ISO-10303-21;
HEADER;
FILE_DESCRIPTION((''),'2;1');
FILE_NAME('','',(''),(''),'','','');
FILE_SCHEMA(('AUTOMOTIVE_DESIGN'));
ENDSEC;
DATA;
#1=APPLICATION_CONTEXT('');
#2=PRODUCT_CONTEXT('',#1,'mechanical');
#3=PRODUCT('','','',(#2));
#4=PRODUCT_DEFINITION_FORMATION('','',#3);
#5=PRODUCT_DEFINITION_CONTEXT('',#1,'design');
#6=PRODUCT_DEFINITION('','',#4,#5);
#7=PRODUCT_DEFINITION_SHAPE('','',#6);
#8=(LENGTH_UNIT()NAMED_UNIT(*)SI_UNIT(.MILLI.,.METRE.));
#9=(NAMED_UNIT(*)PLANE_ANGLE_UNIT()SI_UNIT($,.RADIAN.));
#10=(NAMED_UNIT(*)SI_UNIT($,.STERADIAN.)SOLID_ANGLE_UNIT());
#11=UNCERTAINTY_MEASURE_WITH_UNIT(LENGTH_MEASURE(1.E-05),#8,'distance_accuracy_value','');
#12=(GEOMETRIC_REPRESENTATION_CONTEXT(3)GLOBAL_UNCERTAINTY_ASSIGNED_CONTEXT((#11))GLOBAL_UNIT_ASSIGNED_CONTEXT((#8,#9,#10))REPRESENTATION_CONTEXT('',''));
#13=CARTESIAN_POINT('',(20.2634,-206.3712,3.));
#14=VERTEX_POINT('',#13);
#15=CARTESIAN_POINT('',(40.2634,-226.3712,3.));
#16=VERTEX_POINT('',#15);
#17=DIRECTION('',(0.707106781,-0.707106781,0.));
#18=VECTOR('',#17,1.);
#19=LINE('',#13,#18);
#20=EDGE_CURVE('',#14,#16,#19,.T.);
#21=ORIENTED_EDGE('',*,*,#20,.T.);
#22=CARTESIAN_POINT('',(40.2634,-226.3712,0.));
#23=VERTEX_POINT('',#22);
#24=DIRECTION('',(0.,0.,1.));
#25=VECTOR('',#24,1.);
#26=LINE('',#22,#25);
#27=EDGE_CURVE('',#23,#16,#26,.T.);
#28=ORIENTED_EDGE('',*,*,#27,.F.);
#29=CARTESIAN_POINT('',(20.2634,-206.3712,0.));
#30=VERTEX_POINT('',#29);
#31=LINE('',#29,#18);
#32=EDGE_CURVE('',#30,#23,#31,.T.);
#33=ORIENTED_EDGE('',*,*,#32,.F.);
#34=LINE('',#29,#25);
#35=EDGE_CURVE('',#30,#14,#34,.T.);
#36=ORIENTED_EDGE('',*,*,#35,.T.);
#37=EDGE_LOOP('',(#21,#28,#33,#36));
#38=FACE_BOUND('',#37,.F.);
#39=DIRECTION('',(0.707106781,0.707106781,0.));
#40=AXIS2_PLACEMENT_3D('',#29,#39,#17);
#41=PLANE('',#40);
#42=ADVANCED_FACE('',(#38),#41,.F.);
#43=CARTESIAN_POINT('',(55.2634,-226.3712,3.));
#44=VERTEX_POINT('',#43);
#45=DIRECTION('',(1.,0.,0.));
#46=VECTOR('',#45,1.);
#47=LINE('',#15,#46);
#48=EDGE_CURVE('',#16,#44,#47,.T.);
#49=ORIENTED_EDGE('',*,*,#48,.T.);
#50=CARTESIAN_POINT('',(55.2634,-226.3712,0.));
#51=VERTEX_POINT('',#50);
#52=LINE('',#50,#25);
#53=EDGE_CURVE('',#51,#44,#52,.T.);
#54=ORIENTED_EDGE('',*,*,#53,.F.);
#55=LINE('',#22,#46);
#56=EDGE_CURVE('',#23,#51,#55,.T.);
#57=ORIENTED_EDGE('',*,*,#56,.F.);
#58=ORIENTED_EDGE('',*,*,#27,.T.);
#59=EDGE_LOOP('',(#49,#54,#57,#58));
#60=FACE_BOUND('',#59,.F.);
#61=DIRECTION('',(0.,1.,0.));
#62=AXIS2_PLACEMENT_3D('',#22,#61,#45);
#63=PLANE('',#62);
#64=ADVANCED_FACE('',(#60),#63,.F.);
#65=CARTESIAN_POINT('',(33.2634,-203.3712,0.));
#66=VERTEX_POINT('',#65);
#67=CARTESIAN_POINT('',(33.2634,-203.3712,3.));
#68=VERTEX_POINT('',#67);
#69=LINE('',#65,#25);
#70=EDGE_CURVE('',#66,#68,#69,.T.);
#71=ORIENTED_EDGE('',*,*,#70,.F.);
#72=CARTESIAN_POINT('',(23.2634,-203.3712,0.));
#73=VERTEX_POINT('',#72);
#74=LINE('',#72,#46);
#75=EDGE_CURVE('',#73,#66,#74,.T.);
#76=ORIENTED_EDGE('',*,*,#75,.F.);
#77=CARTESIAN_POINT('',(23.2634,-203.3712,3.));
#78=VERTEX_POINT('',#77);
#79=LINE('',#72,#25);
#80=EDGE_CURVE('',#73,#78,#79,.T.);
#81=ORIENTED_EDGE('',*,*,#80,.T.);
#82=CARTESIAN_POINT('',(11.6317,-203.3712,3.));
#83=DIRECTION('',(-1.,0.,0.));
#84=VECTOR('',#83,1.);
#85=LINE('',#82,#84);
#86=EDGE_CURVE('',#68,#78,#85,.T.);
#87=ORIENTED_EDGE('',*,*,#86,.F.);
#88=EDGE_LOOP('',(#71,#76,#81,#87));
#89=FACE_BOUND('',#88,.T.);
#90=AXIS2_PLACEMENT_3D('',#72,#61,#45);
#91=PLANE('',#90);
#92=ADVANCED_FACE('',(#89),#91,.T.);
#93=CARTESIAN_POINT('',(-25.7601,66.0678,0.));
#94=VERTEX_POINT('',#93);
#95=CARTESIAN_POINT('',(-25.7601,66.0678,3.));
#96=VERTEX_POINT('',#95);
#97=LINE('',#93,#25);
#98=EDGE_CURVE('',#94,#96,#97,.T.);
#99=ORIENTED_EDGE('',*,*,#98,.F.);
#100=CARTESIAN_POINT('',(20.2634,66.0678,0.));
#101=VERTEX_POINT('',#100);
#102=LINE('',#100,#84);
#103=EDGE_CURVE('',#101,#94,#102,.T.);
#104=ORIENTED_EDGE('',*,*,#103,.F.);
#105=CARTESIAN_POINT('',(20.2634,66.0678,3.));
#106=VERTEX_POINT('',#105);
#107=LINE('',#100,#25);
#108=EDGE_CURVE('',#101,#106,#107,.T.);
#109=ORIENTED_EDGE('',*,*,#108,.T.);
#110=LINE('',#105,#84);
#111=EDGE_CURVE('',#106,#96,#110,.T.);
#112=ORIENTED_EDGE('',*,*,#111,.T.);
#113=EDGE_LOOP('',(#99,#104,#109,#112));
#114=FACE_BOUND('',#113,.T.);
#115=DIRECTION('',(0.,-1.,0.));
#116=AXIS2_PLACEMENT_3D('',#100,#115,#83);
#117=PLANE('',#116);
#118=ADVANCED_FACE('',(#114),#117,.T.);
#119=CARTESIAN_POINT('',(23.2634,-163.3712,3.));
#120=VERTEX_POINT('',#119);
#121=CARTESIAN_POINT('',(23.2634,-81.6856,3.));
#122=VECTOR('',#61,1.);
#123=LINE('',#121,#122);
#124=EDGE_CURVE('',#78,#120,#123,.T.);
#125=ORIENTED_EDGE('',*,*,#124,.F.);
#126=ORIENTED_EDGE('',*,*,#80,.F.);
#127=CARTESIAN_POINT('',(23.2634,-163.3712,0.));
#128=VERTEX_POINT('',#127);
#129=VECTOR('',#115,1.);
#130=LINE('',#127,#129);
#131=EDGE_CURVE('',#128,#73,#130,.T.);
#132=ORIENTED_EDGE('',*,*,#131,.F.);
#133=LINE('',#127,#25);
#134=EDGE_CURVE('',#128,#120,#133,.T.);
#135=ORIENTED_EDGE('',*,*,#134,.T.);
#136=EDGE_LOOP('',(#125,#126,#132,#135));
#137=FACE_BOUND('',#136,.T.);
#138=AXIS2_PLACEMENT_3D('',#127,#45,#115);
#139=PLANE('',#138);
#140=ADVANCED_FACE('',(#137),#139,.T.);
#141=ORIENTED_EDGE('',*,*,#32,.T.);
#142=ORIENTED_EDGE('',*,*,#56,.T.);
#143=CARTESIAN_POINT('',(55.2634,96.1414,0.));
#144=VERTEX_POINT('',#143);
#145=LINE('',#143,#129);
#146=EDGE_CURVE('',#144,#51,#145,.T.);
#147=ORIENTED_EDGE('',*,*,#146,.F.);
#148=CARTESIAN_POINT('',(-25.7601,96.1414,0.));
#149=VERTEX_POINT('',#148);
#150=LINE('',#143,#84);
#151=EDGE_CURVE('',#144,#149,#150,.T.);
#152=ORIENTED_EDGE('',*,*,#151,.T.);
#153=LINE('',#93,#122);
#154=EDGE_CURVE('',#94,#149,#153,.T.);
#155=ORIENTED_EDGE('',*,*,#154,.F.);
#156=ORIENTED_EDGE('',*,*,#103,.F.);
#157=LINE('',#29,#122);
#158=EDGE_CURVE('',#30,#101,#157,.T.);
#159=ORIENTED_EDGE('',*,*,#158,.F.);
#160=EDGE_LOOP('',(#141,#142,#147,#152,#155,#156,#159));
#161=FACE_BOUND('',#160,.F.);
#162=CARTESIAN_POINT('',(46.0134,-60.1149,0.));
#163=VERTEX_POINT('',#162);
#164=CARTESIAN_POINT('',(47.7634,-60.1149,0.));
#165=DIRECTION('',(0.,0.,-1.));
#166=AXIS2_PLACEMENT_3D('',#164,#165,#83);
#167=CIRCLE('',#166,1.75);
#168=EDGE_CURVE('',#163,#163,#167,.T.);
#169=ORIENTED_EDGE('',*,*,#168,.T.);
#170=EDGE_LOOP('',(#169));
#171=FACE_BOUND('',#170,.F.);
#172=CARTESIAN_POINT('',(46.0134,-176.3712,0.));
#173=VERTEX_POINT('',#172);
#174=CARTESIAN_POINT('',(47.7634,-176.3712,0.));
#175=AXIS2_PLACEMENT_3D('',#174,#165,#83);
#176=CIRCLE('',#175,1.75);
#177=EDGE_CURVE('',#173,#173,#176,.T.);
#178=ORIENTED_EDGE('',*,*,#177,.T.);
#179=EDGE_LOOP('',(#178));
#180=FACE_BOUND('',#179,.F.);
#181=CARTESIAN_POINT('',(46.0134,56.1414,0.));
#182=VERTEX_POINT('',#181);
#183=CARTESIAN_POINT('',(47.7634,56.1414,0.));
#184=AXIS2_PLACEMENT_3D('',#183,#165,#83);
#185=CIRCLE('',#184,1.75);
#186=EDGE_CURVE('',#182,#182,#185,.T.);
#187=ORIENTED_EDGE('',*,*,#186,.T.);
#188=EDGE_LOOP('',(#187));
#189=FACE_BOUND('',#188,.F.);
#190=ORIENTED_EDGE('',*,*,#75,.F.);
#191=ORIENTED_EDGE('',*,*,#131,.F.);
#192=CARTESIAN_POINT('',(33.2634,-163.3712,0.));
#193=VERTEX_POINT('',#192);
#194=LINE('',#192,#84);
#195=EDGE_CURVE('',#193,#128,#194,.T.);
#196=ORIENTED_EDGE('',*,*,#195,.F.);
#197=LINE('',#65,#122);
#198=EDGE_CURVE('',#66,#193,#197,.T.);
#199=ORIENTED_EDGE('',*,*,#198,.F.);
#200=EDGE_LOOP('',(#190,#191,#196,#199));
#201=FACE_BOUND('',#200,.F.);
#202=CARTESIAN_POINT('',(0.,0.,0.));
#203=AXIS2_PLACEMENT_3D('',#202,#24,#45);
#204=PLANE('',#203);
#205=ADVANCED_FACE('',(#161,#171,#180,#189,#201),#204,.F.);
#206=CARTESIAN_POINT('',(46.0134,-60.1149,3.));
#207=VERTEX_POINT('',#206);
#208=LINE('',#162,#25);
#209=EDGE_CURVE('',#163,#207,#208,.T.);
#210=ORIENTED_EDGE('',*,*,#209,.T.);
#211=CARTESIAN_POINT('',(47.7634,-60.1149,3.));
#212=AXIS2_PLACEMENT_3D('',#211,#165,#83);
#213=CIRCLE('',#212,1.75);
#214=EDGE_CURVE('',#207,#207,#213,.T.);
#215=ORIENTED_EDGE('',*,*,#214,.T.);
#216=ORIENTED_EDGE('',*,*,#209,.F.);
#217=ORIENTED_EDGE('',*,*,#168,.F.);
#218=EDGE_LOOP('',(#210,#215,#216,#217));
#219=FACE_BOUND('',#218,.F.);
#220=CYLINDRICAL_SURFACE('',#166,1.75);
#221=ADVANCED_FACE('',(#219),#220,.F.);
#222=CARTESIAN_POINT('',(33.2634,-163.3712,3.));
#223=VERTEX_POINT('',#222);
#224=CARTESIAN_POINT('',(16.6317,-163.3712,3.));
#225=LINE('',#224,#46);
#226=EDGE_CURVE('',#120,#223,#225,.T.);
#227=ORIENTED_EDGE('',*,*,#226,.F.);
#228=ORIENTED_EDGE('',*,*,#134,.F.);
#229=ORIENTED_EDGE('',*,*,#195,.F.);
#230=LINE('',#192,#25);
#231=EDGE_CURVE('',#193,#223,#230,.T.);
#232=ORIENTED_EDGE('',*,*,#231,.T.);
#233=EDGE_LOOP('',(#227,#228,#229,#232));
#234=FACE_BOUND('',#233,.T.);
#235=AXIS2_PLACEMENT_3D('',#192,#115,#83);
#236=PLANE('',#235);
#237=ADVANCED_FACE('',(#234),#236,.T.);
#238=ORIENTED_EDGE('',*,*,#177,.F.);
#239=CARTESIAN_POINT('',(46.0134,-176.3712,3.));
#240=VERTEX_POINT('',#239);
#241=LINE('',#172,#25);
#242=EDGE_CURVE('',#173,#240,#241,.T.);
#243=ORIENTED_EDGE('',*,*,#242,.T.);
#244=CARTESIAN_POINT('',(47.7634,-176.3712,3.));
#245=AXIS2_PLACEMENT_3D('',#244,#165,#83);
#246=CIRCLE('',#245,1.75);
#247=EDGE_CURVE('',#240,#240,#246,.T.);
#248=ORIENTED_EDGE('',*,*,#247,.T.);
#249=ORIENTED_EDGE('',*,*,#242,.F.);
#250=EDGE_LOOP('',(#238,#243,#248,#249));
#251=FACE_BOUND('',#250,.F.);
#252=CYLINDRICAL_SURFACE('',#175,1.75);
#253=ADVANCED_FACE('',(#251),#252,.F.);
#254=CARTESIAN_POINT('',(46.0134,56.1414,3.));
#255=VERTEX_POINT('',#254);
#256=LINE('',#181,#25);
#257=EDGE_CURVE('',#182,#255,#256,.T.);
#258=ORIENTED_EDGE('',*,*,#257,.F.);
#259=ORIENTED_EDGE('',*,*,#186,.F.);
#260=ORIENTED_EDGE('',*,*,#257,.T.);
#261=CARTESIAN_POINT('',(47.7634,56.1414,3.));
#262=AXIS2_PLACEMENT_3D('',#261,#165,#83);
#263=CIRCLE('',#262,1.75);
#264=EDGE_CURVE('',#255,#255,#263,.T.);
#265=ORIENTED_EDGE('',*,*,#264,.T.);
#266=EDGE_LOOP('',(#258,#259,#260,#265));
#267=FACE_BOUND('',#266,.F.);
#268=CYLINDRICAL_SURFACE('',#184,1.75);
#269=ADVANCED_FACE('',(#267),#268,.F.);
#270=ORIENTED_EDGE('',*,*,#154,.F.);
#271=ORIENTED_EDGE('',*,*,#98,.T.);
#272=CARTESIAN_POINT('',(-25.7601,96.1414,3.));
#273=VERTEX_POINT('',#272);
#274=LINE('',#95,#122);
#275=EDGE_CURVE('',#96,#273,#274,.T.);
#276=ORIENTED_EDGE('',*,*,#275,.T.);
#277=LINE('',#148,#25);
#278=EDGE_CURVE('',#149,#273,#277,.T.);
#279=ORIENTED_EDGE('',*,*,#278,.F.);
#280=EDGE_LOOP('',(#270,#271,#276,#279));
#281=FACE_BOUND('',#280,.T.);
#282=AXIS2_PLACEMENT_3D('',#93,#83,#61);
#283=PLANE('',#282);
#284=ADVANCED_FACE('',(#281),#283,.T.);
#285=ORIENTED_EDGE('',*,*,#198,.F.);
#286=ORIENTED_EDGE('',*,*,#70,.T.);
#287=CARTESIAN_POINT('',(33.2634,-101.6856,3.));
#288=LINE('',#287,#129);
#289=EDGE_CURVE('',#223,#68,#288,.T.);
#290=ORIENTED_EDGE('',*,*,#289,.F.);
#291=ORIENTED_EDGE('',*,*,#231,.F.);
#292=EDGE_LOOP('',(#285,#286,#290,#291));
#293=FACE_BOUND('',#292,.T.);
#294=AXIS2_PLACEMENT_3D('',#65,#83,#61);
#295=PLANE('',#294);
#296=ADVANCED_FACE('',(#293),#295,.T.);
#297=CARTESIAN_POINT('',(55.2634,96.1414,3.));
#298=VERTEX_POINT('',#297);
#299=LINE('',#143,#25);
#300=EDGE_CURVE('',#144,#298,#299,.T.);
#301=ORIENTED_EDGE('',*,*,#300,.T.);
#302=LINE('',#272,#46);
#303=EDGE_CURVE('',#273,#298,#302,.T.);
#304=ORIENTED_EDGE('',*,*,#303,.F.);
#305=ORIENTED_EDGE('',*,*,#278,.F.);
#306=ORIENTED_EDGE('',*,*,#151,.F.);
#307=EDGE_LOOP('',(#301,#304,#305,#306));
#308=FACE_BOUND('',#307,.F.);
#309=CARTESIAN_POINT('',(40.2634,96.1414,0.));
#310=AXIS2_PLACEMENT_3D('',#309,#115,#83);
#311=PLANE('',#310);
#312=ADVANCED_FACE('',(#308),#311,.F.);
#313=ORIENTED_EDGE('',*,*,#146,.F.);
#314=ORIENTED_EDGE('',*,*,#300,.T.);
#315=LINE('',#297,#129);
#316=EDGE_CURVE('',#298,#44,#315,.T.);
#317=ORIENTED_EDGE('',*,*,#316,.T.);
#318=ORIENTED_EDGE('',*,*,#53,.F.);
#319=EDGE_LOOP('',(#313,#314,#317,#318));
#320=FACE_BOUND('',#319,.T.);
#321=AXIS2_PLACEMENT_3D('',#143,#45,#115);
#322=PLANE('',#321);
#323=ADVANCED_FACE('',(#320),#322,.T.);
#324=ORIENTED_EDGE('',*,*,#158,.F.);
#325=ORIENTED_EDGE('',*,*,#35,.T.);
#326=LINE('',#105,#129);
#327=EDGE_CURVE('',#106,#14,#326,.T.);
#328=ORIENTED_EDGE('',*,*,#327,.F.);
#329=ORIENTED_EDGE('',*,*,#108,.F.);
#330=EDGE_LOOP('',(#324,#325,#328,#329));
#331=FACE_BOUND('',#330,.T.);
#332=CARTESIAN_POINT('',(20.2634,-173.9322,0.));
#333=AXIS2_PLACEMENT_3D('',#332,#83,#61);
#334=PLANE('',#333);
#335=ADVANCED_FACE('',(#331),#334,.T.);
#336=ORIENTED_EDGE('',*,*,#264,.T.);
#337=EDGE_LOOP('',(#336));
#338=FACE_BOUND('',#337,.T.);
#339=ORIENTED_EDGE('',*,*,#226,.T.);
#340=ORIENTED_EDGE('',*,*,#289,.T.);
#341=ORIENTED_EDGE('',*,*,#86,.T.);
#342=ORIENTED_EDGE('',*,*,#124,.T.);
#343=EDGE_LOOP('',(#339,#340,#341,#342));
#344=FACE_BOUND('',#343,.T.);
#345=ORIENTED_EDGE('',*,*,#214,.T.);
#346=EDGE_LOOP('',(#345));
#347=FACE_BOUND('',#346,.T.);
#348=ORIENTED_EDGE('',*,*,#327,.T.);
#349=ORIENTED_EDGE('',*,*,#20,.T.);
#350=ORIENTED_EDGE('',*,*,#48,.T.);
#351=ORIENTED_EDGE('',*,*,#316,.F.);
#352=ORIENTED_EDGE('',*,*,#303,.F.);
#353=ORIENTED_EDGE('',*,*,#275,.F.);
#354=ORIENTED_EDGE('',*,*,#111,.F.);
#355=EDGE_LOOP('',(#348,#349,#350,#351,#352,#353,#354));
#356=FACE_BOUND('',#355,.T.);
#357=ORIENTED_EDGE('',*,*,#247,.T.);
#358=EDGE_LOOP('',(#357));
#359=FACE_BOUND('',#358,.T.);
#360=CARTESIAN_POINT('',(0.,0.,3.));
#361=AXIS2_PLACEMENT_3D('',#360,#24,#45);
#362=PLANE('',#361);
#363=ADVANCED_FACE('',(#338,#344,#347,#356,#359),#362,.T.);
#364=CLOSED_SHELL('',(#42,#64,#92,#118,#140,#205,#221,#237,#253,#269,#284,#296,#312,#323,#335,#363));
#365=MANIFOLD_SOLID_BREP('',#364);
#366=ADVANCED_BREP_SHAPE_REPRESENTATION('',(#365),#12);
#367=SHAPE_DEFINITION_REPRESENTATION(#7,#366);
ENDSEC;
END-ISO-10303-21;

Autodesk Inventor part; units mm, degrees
ref_plane "YZ Plane" through (0, 0, 0) normal (1, 0, 0) x (0, 1, 0)
ref_plane "XZ Plane" through (0, 0, 0) normal (0, 1, 0) x (-1, 0, 0)
ref_plane "XY Plane" through (0, 0, 0) normal (0, 0, 1) x (1, 0, 0)
sketch "Sketch1" plane through (0, 0, 0) normal (0, 0, 1) x (1, 0, 0)
  line L0 (-209.6812, -263.8586) -> (-209.6812, -8.8159) projected
  arc A0 (-209.6812, -8.8159) -> (-193.9694, 2.087) centre (-210.1812, 8.6769) ccw projected
  line L1 (-193.9694, 2.087) -> (-181.7072, 32.2534) projected
  arc A1 (-181.7072, 32.2534) -> (-181.1183, 35.2659) centre (-189.1183, 35.2659) ccw projected
  line L2 (-181.1183, 35.2659) -> (-181.1183, 96.1414) projected
  line L3 (-181.1183, 96.1414) -> (-26.7601, 96.1414) projected
  line L4 (-26.7601, 96.1414) -> (-26.7601, -154.4598) projected
  line L5 (-26.7601, -154.4598) -> (-51.6589, -154.4598) projected
  arc A2 (-51.6589, -154.4598) -> (-66.1514, -181.7688) centre (-51.6589, -171.9598) ccw projected
  line L6 (-66.1514, -181.7688) -> (-37.4983, -224.1032) projected
  line L7 (-37.4983, -224.1032) -> (-37.4983, -263.8586) projected
  line L8 (-37.4983, -263.8586) -> (-209.6812, -263.8586) projected
  circle A3 centre (-14.2602, -188.2205) radius 1.4 projected
  circle A4 centre (7.7398, -188.2205) radius 1.4 projected
  circle A5 centre (-3.2602, -180.2205) radius 1.4 projected
  line L9 (38.5068, -227.443) -> (38.5068, -237.331) projected
  line L10 (38.5068, -237.331) -> (14.3647, -261.4731) projected
  line L11 (14.3647, -261.4731) -> (4.4767, -261.4731) projected
  line L12 (4.4767, -261.4731) -> (-26.5537, -230.4427) projected
  arc A6 (-26.9169, -230.0029) -> (-26.5537, -230.4427) centre (-24.4324, -228.3213) ccw projected
  line L13 (-26.9169, -230.0029) -> (-61.6727, -178.6518) projected
  arc A7 (-44.3145, -161.2936) -> (-61.6727, -178.6518) centre (-51.3209, -171.6454) ccw projected
  line L14 (-44.3145, -161.2936) -> (-22.2602, -176.2205) projected
  line L15 (-22.2602, -176.2205) -> (15.7398, -176.2205) projected
  line L16 (15.7398, -176.2205) -> (15.7398, -204.6759) projected
  line L17 (15.7398, -204.6759) -> (38.5068, -227.443) projected
  circle A8 centre (0.6515, -223.6177) radius 13 projected
  line L18 (55.2634, 96.1414) -> (55.2634, -263.8586) projected
  line L19 (40.2634, 96.1414) -> (-459.7366, 96.1414) projected
  line L20 (40.2634, 96.1414) -> (55.2634, 96.1414)
  line L21 (20.2634, 66.0678) -> (-26.7366, 66.0678) projected
  line L22 (20.2634, -173.9322) -> (20.2634, 66.0678) projected
  line L23 (20.2634, -173.9322) -> (20.2634, -206.3712)
  line L24 (20.2634, -206.3712) -> (40.2634, -226.3712)
  line L25 (40.2634, -226.3712) -> (55.2634, -226.3712)
  line L26 (-25.7601, 66.0678) -> (-25.7601, 96.1414)
  circle A9 centre (-71.7601, 91.1414) radius 1.45 projected
  circle A10 centre (-41.7601, 91.1414) radius 1.45 projected
  circle A11 centre (-66.4329, -190.3739) radius 1.45 projected
  circle A12 centre (-46.6589, -149.4598) radius 1.45 projected
  circle A13 centre (-195.1812, -258.8586) radius 1.45 projected
  circle A14 centre (-174.1183, 35.2659) radius 1.45 projected
  line L27 (-48.8209, -179.6454) -> (-44.8209, -179.6454) projected
  line L28 (-48.8209, -163.6454) -> (-48.8209, -179.6454) projected
  line L29 (-44.8209, -163.6454) -> (-48.8209, -163.6454) projected
  line L30 (-57.8209, -179.6454) -> (-53.8209, -179.6454) projected
  line L31 (-57.8209, -163.6454) -> (-57.8209, -179.6454) projected
  line L32 (-53.8209, -163.6454) -> (-57.8209, -163.6454) projected
  line L33 (-44.8209, -179.6454) -> (-44.8209, -163.6454) projected
  line L34 (-53.8209, -179.6454) -> (-53.8209, -163.6454) projected
  point P0 (0, 0)
  dimension "d0" = 2
  dimension "d1" = 15
  dimension "d2" = 1
extrude "Extrusion1" add sketch "Sketch1" along normal blind 3 contours L19 L20 L18 L25 L24 L23 L22 L21 L26
sketch "Sketch2" plane through (0, 0, 0) normal (0, 0, -1) x (-1, 0, 0)
  line L0 (-20.2634, 66.0678) -> (-20.2634, -206.3712) projected
  line L1 (-20.2634, -206.3712) -> (-40.2634, -226.3712) projected
  line L2 (-40.2634, -226.3712) -> (-55.2634, -226.3712) projected
  line L3 (25.7601, 66.0678) -> (-20.2634, 66.0678) projected
  line L4 (25.7601, 96.1414) -> (25.7601, 66.0678) projected
  circle A0 centre (-47.7634, -176.3712) radius 1.75
  circle A1 centre (-47.7634, -60.1149) radius 1.75
  circle A2 centre (-47.7634, 56.1414) radius 1.75
  line L5 (-23.2634, -203.3712) -> (-33.2634, -203.3712)
  line L6 (-33.2634, -203.3712) -> (-33.2634, -163.3712)
  line L7 (-33.2634, -163.3712) -> (-23.2634, -163.3712)
  line L8 (-23.2634, -163.3712) -> (-23.2634, -203.3712)
  point P0 (0, 0)
  dimension "d5" = 7.5
  dimension "d6" = 3.5
  dimension "d7" = 50
  dimension "d8" = 40
  dimension "d9" = 232.5126
  dimension "d10" = 116.2563
  dimension "d11" = 3
  dimension "d12" = 10
  dimension "d13" = 40
  dimension "d14" = 3
extrude "Extrusion2" cut sketch "Sketch2" against normal through all
equation "\"d10\" = 0.5 * d9"
properties part number "Drag Chain Cover Panel" material "Aluminum 6061"
